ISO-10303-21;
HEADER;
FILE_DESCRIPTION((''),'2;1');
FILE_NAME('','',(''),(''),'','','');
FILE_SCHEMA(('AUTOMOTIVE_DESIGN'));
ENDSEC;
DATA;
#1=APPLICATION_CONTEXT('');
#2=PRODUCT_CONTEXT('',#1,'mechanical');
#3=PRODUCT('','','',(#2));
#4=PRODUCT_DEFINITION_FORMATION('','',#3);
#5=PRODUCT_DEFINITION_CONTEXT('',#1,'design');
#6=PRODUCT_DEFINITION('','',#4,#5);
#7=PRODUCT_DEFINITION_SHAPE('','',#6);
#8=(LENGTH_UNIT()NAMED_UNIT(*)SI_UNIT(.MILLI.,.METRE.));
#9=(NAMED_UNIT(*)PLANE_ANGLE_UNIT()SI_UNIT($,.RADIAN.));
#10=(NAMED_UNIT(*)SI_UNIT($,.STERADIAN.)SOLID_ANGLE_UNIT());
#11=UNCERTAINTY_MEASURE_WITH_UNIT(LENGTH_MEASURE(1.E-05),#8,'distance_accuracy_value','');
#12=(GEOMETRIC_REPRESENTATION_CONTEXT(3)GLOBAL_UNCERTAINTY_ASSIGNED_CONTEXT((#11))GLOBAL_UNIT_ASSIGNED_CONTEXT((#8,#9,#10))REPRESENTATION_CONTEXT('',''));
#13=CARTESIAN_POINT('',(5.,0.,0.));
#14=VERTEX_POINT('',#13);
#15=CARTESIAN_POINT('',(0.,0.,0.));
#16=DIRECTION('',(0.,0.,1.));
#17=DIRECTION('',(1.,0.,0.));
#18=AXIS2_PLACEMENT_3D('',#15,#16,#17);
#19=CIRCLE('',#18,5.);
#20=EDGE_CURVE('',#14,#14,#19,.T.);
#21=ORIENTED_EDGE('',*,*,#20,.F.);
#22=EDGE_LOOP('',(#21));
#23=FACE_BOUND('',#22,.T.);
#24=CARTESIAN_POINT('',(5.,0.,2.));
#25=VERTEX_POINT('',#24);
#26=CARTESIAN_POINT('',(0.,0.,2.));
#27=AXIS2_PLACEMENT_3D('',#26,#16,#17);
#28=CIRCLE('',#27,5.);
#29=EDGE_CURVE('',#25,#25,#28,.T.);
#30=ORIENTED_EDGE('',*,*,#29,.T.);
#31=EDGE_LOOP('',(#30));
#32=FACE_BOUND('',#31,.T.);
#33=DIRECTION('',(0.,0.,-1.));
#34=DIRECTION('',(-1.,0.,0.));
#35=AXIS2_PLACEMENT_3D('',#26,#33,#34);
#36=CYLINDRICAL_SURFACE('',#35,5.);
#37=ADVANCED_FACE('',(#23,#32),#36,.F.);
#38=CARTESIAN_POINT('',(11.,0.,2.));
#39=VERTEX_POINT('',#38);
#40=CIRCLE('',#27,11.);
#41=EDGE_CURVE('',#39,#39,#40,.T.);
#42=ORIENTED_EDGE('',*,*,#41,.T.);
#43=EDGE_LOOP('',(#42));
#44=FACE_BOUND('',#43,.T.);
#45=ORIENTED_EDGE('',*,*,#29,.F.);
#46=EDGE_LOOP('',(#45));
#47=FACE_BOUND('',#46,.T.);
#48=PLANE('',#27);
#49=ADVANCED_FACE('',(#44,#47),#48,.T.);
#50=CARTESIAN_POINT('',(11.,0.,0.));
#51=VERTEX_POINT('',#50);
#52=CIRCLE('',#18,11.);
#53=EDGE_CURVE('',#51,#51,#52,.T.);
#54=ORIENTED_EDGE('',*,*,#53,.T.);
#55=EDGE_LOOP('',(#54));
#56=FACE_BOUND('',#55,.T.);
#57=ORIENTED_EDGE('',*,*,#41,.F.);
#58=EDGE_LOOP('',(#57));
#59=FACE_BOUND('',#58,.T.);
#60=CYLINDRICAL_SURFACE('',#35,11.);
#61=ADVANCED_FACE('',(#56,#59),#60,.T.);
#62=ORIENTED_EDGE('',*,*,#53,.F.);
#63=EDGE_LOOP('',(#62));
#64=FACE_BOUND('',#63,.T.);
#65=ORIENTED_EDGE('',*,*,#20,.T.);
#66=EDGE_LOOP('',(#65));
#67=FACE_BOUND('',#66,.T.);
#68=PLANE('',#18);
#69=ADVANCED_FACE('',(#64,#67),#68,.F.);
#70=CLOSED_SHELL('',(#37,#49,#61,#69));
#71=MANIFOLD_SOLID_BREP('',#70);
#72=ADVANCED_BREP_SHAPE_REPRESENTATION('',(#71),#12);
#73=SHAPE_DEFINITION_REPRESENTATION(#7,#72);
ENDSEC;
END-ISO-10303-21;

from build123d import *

# Parameters (mm, degrees)
SKETCH1_R           = 11
SKETCH1_R_2         = 5
BOSS_EXTRUDE1_DEPTH = 2


with BuildPart() as part:
    # Sketch1 → Boss-Extrude1 (new body)
    with BuildSketch(Plane.XY):
        Circle(SKETCH1_R)
        Circle(SKETCH1_R_2, mode=Mode.SUBTRACT)
    extrude(amount=BOSS_EXTRUDE1_DEPTH)


solid = part.part
